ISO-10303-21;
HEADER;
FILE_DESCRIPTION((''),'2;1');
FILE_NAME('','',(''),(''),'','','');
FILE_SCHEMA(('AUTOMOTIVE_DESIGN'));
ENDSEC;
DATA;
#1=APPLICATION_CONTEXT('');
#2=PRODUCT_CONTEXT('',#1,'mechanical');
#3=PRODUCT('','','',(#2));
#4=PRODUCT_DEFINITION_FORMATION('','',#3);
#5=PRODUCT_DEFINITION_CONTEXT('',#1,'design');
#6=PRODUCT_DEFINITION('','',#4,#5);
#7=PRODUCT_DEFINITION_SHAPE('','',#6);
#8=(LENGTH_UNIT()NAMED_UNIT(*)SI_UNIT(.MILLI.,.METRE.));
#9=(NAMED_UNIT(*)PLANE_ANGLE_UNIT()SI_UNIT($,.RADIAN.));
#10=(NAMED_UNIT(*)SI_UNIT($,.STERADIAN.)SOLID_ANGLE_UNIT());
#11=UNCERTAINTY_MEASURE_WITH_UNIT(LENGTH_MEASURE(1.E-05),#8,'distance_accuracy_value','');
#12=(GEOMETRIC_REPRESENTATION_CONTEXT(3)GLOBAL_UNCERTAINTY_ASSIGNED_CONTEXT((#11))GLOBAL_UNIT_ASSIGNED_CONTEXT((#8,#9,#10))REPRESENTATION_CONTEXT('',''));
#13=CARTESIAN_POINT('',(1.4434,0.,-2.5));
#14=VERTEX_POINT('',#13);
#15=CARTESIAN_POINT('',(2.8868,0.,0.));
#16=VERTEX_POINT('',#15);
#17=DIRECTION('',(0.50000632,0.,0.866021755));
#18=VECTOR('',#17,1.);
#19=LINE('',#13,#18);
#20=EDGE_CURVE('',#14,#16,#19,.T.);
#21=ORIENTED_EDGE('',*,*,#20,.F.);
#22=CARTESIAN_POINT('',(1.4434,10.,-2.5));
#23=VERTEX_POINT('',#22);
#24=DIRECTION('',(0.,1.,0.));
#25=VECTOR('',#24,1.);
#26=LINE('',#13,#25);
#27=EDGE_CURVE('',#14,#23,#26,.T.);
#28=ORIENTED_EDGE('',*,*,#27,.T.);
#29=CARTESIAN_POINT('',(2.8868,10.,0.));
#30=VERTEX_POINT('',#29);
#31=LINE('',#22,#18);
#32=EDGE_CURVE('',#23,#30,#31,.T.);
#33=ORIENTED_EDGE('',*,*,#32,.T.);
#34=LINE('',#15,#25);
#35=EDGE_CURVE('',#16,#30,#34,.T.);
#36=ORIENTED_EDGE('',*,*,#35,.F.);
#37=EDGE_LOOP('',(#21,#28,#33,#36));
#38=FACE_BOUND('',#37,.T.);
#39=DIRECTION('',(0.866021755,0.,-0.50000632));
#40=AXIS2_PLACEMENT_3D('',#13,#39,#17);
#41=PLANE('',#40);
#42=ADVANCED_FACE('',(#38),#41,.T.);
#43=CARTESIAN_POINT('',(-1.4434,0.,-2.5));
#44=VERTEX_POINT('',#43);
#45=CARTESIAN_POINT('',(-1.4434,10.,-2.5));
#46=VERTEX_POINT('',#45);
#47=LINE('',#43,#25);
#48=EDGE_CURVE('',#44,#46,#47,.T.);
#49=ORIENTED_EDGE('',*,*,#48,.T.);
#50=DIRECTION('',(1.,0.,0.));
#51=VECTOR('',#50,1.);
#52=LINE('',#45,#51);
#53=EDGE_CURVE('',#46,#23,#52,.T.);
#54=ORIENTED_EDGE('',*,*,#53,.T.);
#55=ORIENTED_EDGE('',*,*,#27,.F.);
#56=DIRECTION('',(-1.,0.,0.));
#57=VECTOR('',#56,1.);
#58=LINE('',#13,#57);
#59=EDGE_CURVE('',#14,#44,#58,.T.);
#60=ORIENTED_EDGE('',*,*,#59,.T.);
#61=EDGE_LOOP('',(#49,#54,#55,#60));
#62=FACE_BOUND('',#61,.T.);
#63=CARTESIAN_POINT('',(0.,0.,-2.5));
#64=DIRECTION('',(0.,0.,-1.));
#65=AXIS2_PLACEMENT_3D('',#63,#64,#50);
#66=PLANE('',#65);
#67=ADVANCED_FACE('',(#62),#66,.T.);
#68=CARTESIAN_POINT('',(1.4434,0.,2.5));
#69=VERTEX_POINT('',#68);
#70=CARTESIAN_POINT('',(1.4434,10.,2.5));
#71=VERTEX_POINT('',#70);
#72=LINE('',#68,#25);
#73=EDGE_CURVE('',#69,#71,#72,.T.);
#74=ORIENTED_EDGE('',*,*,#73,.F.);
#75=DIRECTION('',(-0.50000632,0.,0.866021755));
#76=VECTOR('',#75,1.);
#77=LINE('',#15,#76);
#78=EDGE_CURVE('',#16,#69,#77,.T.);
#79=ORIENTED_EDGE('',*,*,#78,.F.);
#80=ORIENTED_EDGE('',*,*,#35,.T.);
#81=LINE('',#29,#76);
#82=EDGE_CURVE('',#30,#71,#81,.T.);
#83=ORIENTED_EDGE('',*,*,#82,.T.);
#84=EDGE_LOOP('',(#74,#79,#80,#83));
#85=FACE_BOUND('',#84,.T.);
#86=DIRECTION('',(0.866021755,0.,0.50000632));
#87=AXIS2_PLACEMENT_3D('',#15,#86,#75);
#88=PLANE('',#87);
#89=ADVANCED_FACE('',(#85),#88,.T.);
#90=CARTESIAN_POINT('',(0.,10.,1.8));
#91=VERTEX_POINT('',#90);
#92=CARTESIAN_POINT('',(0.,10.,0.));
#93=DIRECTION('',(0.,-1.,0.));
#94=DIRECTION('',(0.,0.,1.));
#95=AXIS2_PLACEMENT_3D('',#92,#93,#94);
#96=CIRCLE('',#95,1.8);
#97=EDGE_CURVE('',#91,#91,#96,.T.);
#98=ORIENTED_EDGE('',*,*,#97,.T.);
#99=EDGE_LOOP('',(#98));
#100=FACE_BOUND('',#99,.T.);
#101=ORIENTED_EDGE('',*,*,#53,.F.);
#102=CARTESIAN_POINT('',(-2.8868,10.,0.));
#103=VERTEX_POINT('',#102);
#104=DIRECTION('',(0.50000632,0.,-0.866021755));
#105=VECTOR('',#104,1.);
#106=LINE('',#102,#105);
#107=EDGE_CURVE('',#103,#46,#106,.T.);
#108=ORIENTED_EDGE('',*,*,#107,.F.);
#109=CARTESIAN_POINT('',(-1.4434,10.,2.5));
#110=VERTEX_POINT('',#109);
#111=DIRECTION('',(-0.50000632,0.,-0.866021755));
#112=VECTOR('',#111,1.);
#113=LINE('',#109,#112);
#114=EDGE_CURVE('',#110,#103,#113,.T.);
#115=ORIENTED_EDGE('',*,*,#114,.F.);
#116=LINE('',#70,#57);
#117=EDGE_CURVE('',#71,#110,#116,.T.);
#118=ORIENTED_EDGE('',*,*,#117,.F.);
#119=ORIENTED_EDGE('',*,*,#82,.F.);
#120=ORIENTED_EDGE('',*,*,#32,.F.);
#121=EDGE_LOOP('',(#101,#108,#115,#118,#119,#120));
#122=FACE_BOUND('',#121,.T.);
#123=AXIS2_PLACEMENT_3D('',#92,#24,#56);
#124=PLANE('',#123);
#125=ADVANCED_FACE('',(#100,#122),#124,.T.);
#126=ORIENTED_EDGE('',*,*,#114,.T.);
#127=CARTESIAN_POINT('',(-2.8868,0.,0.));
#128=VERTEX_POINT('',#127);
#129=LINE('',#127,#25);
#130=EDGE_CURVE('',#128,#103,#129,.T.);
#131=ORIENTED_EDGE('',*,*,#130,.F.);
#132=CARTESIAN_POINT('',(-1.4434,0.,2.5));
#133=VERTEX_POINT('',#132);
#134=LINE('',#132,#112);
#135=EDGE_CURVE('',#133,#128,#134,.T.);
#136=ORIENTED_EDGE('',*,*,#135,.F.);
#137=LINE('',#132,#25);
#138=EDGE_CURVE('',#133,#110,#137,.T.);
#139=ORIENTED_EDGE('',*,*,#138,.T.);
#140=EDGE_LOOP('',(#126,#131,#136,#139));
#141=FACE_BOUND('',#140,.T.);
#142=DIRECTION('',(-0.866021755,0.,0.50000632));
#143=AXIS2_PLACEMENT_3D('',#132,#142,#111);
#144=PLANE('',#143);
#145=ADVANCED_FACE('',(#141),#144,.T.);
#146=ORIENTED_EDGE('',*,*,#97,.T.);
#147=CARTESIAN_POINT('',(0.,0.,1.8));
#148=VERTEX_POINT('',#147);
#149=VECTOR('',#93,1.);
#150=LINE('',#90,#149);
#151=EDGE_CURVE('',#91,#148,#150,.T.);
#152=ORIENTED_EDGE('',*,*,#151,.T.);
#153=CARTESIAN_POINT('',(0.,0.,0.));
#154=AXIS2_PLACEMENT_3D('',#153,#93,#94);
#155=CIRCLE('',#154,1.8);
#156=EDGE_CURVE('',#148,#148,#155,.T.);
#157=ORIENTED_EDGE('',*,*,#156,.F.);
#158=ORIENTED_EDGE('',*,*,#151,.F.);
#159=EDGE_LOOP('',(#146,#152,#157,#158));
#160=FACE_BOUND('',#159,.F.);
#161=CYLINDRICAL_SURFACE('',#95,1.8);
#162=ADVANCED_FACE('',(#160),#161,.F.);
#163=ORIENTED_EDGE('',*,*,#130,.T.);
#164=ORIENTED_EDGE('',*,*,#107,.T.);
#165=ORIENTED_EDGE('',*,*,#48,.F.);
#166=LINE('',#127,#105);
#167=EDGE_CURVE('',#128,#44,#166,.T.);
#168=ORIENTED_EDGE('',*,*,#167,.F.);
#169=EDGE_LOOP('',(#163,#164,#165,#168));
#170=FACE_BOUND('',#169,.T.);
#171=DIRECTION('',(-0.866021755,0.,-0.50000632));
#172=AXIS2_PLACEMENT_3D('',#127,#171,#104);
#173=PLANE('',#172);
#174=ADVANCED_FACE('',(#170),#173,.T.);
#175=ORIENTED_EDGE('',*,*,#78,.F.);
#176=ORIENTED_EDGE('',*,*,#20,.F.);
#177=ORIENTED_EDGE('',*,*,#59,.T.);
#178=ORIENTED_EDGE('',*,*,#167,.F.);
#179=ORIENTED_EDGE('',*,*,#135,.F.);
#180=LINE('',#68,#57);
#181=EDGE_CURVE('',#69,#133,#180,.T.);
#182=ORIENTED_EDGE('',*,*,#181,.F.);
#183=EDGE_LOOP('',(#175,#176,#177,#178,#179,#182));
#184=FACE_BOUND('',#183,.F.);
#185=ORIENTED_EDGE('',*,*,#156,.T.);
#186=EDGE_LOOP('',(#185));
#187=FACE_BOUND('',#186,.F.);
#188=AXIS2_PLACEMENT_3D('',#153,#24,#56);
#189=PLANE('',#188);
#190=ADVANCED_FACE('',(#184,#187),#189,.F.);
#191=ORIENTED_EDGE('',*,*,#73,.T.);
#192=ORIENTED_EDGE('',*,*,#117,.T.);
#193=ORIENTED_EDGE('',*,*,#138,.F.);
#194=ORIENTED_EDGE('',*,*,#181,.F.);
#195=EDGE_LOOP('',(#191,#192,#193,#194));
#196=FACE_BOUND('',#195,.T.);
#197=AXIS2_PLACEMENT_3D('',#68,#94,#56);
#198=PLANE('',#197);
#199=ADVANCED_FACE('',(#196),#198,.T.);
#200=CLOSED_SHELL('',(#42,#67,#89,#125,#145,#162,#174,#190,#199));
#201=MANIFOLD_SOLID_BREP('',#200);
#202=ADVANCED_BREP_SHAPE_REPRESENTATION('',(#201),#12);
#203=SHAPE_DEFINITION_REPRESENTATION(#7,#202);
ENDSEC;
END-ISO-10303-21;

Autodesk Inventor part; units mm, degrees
ref_plane "YZ Plane" through (0, 0, 0) normal (1, 0, 0) x (0, 1, 0)
ref_plane "XZ Plane" through (0, 0, 0) normal (0, 1, 0) x (-1, 0, 0)
ref_plane "XY Plane" through (0, 0, 0) normal (0, 0, 1) x (1, 0, 0)
sketch "Sketch3" plane through (0, 0, 0) normal (0, 1, 0) x (-1, 0, 0)
  line L0 (0, 0) -> (0, -2.5)
  line L1 (-1.4434, -2.5) -> (-2.8868, 0)
  line L2 (-2.8868, 0) -> (-1.4434, 2.5)
  line L3 (-1.4434, 2.5) -> (1.4434, 2.5)
  line L4 (1.4434, 2.5) -> (2.8868, 0)
  line L5 (2.8868, 0) -> (1.4434, -2.5)
  line L6 (1.4434, -2.5) -> (-1.4434, -2.5)
  dimension "d3" = 2.5
extrude "Extrusion2" add sketch "Sketch3" along normal blind 10
sketch "Sketch4" plane through (0, 10, 0) normal (0, 1, 0) x (1, 0, 0)
  point P0 (0, 0)
  point P1 (0, 0)
hole "Hole1" at (0, 10, 0) direction (0, -1, 0) diameter 3.6 end through all clearance for "Socket Head Cap Screw ISO 4762" size "M3" standard "ISO"
properties part number "M3x10"
